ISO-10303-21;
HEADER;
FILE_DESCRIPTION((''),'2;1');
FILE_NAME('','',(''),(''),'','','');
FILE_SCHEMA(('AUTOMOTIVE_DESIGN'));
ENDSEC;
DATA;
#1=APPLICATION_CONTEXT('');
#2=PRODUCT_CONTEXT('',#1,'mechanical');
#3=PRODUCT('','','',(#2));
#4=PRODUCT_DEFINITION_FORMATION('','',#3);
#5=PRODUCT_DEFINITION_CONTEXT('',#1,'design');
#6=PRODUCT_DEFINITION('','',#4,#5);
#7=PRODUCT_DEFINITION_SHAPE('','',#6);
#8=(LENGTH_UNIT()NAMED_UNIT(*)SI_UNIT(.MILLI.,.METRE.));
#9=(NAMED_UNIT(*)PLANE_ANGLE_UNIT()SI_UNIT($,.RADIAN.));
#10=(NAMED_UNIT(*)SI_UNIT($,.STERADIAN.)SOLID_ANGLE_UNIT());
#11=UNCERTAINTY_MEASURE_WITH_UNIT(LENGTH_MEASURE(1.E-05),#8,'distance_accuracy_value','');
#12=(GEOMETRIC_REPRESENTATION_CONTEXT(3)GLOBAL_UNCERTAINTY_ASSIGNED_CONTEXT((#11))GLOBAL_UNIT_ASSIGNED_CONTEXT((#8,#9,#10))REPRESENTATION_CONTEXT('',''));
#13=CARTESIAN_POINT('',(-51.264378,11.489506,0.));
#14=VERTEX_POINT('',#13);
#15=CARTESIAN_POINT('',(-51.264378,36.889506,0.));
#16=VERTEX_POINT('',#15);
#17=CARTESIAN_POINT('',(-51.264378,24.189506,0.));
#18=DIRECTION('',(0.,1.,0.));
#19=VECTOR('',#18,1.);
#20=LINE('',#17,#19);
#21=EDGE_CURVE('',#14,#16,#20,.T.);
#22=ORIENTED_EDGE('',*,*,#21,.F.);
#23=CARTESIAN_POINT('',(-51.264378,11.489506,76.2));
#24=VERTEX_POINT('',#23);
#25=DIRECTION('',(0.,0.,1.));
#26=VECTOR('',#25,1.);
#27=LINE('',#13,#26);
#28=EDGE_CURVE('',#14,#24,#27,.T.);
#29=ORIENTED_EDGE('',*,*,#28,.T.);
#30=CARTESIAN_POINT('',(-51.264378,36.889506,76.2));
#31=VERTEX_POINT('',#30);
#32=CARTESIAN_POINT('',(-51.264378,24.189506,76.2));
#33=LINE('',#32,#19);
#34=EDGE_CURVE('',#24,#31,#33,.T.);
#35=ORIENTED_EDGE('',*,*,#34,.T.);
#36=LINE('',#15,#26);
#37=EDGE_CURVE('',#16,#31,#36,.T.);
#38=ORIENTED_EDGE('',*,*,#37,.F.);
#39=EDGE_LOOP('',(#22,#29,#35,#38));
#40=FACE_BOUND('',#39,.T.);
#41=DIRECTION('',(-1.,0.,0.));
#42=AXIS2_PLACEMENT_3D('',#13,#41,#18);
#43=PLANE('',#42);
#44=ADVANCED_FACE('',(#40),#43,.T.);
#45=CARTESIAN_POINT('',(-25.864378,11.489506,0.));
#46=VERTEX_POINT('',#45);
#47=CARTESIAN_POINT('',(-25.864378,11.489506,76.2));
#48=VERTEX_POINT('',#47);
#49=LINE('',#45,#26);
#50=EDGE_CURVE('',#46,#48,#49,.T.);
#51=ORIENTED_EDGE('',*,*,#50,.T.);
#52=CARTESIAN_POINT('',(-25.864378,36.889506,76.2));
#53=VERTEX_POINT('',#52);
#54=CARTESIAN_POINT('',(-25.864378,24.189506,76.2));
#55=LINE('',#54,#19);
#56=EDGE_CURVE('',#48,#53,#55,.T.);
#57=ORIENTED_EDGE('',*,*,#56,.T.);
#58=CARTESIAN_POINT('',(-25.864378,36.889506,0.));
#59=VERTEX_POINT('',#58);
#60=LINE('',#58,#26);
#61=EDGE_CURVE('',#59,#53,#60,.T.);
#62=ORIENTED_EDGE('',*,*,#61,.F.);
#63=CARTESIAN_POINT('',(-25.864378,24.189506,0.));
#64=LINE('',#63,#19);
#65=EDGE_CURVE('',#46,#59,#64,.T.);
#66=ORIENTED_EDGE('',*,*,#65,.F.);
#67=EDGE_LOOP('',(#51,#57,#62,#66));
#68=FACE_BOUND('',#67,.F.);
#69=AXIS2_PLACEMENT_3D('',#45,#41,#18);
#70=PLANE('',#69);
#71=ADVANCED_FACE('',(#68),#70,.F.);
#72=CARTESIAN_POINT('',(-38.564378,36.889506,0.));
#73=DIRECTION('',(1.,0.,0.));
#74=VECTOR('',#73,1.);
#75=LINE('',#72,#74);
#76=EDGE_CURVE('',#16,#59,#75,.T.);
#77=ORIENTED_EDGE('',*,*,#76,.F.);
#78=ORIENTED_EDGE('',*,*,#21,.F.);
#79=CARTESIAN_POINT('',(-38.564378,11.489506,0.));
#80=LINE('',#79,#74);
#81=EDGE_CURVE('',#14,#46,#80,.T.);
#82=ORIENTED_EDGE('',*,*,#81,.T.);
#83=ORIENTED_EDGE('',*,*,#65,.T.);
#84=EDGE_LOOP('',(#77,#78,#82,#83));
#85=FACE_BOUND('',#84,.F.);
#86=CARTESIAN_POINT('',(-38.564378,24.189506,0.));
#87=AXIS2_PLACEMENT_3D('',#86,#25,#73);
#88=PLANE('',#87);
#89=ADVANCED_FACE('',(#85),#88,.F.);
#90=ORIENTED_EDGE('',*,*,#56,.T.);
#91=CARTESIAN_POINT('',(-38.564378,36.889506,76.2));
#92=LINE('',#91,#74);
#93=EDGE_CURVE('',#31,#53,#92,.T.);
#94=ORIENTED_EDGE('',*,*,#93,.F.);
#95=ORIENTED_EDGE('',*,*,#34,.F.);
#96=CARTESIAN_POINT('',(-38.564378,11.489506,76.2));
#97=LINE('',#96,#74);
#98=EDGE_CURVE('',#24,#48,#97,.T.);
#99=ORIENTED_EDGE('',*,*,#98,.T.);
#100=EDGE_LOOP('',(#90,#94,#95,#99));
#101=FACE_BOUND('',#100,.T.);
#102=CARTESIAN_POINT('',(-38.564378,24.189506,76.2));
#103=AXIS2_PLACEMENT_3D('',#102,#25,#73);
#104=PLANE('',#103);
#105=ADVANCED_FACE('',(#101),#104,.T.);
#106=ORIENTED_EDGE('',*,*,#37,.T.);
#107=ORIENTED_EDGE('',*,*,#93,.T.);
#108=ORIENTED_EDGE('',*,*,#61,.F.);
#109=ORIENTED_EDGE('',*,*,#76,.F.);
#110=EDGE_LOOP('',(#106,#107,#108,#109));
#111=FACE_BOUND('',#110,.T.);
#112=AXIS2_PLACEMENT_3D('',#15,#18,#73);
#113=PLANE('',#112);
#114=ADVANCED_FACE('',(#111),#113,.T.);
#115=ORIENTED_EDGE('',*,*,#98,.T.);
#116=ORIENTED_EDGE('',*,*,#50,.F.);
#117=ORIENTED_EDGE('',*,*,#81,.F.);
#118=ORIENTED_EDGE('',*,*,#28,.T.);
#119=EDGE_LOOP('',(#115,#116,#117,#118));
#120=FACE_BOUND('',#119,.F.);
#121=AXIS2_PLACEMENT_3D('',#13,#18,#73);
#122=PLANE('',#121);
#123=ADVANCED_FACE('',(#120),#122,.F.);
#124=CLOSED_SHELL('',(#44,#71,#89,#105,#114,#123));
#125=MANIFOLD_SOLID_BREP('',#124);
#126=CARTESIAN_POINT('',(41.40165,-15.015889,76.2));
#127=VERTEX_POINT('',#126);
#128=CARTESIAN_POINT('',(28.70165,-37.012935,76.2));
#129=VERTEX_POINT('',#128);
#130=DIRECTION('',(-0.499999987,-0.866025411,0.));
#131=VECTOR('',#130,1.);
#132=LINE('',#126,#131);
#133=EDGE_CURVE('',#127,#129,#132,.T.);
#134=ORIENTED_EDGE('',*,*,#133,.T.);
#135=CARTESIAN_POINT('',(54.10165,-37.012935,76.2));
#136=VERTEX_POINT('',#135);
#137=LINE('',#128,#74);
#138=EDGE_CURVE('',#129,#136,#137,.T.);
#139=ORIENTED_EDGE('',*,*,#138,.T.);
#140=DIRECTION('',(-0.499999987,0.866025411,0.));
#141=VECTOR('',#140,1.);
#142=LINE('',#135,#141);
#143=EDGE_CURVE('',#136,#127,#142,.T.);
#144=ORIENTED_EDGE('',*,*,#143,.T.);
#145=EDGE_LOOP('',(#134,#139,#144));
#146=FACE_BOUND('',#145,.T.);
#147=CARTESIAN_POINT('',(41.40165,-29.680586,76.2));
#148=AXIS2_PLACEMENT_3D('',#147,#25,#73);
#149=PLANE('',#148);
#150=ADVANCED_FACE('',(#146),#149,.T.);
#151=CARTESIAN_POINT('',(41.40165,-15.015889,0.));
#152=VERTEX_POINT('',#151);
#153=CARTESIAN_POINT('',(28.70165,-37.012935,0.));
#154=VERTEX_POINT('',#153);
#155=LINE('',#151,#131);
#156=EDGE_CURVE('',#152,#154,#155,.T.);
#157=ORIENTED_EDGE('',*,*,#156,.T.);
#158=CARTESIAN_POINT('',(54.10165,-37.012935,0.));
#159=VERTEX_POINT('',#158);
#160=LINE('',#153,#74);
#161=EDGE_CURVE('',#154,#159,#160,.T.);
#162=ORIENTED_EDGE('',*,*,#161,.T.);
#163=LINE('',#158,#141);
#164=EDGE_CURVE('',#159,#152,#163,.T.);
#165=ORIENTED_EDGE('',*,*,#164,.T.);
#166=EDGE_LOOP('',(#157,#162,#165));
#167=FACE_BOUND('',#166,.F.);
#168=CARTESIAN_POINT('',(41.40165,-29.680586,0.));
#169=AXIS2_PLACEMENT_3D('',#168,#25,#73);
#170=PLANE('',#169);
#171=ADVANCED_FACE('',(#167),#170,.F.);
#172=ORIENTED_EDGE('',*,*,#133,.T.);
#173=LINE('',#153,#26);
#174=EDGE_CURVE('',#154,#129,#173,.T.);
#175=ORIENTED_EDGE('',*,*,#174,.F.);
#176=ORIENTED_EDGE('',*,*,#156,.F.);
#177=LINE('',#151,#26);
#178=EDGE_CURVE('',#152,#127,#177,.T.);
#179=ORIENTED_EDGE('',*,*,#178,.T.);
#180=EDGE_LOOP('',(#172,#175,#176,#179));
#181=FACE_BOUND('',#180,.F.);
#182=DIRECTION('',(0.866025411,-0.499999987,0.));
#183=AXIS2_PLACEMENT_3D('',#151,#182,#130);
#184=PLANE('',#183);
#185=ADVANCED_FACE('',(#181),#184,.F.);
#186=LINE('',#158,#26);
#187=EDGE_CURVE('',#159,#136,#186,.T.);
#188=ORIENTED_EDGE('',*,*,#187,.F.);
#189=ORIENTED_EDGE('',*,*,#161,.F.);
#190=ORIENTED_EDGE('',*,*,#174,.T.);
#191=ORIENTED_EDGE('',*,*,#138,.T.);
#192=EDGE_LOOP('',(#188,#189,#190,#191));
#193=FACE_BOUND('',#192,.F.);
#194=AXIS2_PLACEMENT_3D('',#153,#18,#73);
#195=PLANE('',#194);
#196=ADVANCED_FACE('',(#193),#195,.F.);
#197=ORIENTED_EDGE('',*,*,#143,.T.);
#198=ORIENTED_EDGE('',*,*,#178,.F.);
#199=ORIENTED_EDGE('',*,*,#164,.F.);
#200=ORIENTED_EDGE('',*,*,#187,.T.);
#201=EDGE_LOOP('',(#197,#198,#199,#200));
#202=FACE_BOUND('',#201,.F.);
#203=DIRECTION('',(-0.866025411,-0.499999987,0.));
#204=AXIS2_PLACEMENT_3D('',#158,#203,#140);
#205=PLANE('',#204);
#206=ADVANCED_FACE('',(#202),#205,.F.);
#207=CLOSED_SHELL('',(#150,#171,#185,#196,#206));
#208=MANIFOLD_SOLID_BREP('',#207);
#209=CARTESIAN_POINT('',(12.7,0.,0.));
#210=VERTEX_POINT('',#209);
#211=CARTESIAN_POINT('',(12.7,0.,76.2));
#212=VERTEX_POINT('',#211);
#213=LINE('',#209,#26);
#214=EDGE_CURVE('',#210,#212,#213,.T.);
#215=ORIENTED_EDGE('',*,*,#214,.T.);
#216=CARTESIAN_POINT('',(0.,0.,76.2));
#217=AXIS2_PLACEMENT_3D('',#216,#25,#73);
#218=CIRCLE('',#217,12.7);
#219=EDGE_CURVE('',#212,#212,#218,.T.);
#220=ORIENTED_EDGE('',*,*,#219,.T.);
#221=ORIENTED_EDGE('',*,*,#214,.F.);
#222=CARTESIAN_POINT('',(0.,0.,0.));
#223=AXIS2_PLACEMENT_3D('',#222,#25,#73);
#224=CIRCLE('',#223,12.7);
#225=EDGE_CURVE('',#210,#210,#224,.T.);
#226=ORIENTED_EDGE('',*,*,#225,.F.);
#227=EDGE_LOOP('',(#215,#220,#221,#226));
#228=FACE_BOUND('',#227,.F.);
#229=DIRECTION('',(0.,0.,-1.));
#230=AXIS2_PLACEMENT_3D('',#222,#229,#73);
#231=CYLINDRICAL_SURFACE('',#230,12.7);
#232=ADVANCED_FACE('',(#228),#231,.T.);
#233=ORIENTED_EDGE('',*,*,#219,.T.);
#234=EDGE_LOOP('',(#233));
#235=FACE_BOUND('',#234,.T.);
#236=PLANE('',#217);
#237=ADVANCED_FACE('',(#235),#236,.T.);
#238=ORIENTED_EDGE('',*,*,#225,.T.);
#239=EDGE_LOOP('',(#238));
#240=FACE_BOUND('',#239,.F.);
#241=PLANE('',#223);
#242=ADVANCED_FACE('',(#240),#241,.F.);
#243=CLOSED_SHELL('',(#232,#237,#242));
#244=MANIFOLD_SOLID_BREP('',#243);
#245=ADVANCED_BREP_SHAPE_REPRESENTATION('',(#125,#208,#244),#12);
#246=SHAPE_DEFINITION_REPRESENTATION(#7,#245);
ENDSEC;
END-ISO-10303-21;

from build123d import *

# Parameters (mm, degrees)
F0_R     = 12.7
F2_DEPTH = 76.2
F1_W     = 25.4
F1_H     = 25.4
F4_DEPTH = 76.2
F5_DEPTH = 76.2


with BuildPart() as f2:
    # F0 (on Top) → F2 (new body)
    with BuildSketch(Plane.XY):
        Circle(F0_R)
    extrude(amount=F2_DEPTH)


with BuildPart() as f4:
    # F1 (on Top) → F4 (new body)
    with BuildSketch(Plane.XY):
        with Locations((-38.564378, 24.189506)):
            Rectangle(F1_W, F1_H)
    extrude(amount=F4_DEPTH)


with BuildPart() as f5:
    # F3 (on face) → F5 (new body)
    with BuildSketch(Plane.XY):
        Polygon((54.10165, -37.012935), (41.40165, -15.015889), (28.70165, -37.012935), align=None)
    extrude(amount=F5_DEPTH)


solid = Compound([f2.part, f4.part, f5.part])
